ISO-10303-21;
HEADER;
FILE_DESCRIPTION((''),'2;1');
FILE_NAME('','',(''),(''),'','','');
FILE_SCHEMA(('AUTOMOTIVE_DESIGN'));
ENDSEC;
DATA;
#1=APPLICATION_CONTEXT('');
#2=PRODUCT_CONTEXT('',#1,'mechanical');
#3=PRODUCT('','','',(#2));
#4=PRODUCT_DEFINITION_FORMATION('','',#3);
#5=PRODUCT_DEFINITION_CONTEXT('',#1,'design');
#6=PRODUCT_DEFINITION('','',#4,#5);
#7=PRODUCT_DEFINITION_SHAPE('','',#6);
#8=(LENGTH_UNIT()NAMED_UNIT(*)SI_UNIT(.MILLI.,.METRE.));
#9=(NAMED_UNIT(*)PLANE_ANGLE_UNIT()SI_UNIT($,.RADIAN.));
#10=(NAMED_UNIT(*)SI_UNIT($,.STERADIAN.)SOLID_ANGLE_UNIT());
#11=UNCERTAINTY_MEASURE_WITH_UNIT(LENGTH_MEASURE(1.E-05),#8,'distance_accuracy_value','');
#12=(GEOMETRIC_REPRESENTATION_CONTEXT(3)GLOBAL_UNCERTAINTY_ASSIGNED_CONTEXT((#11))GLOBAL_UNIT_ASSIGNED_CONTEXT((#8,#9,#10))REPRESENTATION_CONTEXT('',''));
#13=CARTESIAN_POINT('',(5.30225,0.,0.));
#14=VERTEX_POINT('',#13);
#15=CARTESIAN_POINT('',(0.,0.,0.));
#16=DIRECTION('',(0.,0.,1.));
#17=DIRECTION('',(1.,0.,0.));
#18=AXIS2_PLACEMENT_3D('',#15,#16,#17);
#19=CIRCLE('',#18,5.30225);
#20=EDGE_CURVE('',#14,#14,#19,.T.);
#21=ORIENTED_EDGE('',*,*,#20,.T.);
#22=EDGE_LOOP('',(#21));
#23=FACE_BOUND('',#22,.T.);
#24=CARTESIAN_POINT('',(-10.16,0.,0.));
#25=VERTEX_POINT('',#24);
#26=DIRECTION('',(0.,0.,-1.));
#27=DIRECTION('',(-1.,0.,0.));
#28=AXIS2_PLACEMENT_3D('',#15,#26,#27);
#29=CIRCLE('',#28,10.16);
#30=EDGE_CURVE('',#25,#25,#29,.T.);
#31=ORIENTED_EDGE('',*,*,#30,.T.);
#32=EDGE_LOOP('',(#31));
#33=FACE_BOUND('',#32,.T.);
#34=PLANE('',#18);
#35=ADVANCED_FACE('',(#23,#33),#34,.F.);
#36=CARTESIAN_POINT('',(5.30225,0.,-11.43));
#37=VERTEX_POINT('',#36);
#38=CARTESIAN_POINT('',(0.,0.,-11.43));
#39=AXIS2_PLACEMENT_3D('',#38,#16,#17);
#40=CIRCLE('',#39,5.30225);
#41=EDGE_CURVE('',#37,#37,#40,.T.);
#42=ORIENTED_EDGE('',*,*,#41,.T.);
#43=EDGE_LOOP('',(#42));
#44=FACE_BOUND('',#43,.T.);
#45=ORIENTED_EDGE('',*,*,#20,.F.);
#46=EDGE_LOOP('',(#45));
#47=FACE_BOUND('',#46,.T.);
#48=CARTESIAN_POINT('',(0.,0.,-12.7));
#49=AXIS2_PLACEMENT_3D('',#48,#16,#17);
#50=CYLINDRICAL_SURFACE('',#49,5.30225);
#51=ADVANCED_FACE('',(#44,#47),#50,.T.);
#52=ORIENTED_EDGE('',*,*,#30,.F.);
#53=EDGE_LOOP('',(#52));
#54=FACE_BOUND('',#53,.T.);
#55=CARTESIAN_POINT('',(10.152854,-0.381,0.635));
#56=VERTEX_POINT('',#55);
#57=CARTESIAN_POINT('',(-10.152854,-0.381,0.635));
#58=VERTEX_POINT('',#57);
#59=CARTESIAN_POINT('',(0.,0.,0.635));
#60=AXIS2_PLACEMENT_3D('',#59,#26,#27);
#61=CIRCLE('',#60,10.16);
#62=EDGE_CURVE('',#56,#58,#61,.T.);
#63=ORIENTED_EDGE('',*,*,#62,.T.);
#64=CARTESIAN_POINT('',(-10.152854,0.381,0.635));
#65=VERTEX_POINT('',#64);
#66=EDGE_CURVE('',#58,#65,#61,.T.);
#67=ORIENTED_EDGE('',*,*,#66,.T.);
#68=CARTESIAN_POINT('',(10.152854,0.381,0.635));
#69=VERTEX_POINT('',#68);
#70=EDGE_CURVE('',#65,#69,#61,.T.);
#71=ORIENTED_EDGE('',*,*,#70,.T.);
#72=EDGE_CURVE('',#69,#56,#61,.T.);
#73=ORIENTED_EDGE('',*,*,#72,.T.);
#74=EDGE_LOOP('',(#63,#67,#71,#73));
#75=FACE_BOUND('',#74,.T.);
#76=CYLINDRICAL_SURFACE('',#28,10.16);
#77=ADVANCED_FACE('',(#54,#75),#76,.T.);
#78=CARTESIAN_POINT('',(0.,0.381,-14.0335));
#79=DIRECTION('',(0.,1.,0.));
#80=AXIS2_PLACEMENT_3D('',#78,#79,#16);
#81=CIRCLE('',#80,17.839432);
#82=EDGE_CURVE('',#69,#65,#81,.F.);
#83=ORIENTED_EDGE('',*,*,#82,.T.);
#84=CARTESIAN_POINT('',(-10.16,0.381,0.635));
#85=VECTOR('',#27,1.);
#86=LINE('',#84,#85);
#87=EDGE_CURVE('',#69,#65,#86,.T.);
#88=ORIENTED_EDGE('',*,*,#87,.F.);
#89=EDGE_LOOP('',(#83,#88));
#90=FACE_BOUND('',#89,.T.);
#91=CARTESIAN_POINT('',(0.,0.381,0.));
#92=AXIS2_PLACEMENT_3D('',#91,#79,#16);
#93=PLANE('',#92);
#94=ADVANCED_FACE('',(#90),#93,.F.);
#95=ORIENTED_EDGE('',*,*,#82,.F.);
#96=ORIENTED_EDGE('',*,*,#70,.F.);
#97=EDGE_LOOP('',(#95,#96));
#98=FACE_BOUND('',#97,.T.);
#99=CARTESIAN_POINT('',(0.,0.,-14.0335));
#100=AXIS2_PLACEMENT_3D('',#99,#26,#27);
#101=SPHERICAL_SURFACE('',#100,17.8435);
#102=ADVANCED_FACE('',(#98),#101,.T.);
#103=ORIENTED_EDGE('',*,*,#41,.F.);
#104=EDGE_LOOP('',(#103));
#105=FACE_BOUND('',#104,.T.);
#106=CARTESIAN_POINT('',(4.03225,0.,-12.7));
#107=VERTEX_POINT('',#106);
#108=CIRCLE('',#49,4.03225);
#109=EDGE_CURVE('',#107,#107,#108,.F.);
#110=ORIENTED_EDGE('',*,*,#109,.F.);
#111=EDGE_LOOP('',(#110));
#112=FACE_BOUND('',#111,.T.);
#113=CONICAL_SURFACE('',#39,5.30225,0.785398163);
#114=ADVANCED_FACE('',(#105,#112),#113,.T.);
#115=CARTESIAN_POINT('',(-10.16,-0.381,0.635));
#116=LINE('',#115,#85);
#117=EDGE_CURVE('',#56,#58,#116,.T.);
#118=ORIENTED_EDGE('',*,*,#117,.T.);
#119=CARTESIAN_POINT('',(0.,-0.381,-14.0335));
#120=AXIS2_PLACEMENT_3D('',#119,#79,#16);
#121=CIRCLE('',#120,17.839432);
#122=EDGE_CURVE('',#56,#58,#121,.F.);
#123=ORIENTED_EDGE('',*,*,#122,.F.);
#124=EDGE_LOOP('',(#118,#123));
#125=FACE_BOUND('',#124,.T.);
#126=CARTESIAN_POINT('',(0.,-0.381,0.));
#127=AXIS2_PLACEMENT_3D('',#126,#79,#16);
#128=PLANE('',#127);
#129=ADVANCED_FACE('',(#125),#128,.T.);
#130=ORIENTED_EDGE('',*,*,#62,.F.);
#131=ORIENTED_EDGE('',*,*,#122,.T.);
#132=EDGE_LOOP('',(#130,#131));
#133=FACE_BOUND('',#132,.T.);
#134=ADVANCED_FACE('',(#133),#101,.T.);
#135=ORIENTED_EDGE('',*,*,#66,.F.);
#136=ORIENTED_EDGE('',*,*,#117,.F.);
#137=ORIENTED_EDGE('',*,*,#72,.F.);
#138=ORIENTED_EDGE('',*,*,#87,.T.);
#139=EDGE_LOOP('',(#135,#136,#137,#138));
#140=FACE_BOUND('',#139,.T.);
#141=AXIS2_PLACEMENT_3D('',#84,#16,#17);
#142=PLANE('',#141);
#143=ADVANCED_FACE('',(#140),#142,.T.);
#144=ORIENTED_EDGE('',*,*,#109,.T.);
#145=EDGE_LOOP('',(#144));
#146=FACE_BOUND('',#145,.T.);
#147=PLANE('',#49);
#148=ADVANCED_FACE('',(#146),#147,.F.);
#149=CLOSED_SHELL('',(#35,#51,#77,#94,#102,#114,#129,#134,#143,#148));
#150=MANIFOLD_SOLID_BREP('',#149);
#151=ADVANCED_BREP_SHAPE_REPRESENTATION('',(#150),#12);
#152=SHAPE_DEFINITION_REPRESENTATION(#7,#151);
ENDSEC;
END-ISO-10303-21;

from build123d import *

# Parameters (mm, degrees)
SKETCH4_R               = 5.30225
BOSS_EXTRUDE3_DEPTH     = 12.7
CUT_EXTRUDE1_DEPTH      = 0.381
CUT_EXTRUDE1_DEPTH_BACK = 0.381
SKETCH6_W               = 20.32
SKETCH6_H               = 5.08
CHAMFER1_SIZE           = 1.27


with BuildPart() as part:
    # Sketch4 → Boss-Extrude3 (new body)
    with BuildSketch(Plane.XY):
        Circle(SKETCH4_R)
    extrude(amount=-BOSS_EXTRUDE3_DEPTH)

    # Sketch5 → Revolve2 (revolve)
    with BuildSketch(Plane(origin=(0, 0, 0), x_dir=(1, 0, 0), z_dir=(0, 1, 0)), mode=Mode.PRIVATE) as revolve2_sk:
        with BuildLine():
            Line((-10.16, 0), (-10.16, -0.635))
            ThreePointArc((-10.16, -0.635), (-5.32226984, -2.997763488), (0, -3.81))
            Line((0, -3.81), (0, 0))
            Line((0, 0), (-10.16, 0))
        make_face()
    revolve(revolve2_sk.sketch.rotate(Axis((0, 0, 0), (0, 0, 1)), 180), axis=Axis((0, 0, 0), (0, 0, 1)))

    # Sketch6 → Cut-Extrude1 (cut, two sides: drawn at the far end of the back side and taken through both)
    with BuildSketch(Plane(origin=(0, 0, 0), x_dir=(1, 0, 0), z_dir=(0, 1, 0)).offset(-CUT_EXTRUDE1_DEPTH_BACK)):
        with Locations((0, -3.175)):
            Rectangle(SKETCH6_W, SKETCH6_H)
    extrude(amount=CUT_EXTRUDE1_DEPTH + CUT_EXTRUDE1_DEPTH_BACK, mode=Mode.SUBTRACT)

    # Chamfer1
    chamfer1_edges = [part.edges().sort_by_distance(p)[0] for p in [
        (-5.30225, 0, -12.7),
    ]]
    chamfer(chamfer1_edges, length=CHAMFER1_SIZE)


solid = part.part
